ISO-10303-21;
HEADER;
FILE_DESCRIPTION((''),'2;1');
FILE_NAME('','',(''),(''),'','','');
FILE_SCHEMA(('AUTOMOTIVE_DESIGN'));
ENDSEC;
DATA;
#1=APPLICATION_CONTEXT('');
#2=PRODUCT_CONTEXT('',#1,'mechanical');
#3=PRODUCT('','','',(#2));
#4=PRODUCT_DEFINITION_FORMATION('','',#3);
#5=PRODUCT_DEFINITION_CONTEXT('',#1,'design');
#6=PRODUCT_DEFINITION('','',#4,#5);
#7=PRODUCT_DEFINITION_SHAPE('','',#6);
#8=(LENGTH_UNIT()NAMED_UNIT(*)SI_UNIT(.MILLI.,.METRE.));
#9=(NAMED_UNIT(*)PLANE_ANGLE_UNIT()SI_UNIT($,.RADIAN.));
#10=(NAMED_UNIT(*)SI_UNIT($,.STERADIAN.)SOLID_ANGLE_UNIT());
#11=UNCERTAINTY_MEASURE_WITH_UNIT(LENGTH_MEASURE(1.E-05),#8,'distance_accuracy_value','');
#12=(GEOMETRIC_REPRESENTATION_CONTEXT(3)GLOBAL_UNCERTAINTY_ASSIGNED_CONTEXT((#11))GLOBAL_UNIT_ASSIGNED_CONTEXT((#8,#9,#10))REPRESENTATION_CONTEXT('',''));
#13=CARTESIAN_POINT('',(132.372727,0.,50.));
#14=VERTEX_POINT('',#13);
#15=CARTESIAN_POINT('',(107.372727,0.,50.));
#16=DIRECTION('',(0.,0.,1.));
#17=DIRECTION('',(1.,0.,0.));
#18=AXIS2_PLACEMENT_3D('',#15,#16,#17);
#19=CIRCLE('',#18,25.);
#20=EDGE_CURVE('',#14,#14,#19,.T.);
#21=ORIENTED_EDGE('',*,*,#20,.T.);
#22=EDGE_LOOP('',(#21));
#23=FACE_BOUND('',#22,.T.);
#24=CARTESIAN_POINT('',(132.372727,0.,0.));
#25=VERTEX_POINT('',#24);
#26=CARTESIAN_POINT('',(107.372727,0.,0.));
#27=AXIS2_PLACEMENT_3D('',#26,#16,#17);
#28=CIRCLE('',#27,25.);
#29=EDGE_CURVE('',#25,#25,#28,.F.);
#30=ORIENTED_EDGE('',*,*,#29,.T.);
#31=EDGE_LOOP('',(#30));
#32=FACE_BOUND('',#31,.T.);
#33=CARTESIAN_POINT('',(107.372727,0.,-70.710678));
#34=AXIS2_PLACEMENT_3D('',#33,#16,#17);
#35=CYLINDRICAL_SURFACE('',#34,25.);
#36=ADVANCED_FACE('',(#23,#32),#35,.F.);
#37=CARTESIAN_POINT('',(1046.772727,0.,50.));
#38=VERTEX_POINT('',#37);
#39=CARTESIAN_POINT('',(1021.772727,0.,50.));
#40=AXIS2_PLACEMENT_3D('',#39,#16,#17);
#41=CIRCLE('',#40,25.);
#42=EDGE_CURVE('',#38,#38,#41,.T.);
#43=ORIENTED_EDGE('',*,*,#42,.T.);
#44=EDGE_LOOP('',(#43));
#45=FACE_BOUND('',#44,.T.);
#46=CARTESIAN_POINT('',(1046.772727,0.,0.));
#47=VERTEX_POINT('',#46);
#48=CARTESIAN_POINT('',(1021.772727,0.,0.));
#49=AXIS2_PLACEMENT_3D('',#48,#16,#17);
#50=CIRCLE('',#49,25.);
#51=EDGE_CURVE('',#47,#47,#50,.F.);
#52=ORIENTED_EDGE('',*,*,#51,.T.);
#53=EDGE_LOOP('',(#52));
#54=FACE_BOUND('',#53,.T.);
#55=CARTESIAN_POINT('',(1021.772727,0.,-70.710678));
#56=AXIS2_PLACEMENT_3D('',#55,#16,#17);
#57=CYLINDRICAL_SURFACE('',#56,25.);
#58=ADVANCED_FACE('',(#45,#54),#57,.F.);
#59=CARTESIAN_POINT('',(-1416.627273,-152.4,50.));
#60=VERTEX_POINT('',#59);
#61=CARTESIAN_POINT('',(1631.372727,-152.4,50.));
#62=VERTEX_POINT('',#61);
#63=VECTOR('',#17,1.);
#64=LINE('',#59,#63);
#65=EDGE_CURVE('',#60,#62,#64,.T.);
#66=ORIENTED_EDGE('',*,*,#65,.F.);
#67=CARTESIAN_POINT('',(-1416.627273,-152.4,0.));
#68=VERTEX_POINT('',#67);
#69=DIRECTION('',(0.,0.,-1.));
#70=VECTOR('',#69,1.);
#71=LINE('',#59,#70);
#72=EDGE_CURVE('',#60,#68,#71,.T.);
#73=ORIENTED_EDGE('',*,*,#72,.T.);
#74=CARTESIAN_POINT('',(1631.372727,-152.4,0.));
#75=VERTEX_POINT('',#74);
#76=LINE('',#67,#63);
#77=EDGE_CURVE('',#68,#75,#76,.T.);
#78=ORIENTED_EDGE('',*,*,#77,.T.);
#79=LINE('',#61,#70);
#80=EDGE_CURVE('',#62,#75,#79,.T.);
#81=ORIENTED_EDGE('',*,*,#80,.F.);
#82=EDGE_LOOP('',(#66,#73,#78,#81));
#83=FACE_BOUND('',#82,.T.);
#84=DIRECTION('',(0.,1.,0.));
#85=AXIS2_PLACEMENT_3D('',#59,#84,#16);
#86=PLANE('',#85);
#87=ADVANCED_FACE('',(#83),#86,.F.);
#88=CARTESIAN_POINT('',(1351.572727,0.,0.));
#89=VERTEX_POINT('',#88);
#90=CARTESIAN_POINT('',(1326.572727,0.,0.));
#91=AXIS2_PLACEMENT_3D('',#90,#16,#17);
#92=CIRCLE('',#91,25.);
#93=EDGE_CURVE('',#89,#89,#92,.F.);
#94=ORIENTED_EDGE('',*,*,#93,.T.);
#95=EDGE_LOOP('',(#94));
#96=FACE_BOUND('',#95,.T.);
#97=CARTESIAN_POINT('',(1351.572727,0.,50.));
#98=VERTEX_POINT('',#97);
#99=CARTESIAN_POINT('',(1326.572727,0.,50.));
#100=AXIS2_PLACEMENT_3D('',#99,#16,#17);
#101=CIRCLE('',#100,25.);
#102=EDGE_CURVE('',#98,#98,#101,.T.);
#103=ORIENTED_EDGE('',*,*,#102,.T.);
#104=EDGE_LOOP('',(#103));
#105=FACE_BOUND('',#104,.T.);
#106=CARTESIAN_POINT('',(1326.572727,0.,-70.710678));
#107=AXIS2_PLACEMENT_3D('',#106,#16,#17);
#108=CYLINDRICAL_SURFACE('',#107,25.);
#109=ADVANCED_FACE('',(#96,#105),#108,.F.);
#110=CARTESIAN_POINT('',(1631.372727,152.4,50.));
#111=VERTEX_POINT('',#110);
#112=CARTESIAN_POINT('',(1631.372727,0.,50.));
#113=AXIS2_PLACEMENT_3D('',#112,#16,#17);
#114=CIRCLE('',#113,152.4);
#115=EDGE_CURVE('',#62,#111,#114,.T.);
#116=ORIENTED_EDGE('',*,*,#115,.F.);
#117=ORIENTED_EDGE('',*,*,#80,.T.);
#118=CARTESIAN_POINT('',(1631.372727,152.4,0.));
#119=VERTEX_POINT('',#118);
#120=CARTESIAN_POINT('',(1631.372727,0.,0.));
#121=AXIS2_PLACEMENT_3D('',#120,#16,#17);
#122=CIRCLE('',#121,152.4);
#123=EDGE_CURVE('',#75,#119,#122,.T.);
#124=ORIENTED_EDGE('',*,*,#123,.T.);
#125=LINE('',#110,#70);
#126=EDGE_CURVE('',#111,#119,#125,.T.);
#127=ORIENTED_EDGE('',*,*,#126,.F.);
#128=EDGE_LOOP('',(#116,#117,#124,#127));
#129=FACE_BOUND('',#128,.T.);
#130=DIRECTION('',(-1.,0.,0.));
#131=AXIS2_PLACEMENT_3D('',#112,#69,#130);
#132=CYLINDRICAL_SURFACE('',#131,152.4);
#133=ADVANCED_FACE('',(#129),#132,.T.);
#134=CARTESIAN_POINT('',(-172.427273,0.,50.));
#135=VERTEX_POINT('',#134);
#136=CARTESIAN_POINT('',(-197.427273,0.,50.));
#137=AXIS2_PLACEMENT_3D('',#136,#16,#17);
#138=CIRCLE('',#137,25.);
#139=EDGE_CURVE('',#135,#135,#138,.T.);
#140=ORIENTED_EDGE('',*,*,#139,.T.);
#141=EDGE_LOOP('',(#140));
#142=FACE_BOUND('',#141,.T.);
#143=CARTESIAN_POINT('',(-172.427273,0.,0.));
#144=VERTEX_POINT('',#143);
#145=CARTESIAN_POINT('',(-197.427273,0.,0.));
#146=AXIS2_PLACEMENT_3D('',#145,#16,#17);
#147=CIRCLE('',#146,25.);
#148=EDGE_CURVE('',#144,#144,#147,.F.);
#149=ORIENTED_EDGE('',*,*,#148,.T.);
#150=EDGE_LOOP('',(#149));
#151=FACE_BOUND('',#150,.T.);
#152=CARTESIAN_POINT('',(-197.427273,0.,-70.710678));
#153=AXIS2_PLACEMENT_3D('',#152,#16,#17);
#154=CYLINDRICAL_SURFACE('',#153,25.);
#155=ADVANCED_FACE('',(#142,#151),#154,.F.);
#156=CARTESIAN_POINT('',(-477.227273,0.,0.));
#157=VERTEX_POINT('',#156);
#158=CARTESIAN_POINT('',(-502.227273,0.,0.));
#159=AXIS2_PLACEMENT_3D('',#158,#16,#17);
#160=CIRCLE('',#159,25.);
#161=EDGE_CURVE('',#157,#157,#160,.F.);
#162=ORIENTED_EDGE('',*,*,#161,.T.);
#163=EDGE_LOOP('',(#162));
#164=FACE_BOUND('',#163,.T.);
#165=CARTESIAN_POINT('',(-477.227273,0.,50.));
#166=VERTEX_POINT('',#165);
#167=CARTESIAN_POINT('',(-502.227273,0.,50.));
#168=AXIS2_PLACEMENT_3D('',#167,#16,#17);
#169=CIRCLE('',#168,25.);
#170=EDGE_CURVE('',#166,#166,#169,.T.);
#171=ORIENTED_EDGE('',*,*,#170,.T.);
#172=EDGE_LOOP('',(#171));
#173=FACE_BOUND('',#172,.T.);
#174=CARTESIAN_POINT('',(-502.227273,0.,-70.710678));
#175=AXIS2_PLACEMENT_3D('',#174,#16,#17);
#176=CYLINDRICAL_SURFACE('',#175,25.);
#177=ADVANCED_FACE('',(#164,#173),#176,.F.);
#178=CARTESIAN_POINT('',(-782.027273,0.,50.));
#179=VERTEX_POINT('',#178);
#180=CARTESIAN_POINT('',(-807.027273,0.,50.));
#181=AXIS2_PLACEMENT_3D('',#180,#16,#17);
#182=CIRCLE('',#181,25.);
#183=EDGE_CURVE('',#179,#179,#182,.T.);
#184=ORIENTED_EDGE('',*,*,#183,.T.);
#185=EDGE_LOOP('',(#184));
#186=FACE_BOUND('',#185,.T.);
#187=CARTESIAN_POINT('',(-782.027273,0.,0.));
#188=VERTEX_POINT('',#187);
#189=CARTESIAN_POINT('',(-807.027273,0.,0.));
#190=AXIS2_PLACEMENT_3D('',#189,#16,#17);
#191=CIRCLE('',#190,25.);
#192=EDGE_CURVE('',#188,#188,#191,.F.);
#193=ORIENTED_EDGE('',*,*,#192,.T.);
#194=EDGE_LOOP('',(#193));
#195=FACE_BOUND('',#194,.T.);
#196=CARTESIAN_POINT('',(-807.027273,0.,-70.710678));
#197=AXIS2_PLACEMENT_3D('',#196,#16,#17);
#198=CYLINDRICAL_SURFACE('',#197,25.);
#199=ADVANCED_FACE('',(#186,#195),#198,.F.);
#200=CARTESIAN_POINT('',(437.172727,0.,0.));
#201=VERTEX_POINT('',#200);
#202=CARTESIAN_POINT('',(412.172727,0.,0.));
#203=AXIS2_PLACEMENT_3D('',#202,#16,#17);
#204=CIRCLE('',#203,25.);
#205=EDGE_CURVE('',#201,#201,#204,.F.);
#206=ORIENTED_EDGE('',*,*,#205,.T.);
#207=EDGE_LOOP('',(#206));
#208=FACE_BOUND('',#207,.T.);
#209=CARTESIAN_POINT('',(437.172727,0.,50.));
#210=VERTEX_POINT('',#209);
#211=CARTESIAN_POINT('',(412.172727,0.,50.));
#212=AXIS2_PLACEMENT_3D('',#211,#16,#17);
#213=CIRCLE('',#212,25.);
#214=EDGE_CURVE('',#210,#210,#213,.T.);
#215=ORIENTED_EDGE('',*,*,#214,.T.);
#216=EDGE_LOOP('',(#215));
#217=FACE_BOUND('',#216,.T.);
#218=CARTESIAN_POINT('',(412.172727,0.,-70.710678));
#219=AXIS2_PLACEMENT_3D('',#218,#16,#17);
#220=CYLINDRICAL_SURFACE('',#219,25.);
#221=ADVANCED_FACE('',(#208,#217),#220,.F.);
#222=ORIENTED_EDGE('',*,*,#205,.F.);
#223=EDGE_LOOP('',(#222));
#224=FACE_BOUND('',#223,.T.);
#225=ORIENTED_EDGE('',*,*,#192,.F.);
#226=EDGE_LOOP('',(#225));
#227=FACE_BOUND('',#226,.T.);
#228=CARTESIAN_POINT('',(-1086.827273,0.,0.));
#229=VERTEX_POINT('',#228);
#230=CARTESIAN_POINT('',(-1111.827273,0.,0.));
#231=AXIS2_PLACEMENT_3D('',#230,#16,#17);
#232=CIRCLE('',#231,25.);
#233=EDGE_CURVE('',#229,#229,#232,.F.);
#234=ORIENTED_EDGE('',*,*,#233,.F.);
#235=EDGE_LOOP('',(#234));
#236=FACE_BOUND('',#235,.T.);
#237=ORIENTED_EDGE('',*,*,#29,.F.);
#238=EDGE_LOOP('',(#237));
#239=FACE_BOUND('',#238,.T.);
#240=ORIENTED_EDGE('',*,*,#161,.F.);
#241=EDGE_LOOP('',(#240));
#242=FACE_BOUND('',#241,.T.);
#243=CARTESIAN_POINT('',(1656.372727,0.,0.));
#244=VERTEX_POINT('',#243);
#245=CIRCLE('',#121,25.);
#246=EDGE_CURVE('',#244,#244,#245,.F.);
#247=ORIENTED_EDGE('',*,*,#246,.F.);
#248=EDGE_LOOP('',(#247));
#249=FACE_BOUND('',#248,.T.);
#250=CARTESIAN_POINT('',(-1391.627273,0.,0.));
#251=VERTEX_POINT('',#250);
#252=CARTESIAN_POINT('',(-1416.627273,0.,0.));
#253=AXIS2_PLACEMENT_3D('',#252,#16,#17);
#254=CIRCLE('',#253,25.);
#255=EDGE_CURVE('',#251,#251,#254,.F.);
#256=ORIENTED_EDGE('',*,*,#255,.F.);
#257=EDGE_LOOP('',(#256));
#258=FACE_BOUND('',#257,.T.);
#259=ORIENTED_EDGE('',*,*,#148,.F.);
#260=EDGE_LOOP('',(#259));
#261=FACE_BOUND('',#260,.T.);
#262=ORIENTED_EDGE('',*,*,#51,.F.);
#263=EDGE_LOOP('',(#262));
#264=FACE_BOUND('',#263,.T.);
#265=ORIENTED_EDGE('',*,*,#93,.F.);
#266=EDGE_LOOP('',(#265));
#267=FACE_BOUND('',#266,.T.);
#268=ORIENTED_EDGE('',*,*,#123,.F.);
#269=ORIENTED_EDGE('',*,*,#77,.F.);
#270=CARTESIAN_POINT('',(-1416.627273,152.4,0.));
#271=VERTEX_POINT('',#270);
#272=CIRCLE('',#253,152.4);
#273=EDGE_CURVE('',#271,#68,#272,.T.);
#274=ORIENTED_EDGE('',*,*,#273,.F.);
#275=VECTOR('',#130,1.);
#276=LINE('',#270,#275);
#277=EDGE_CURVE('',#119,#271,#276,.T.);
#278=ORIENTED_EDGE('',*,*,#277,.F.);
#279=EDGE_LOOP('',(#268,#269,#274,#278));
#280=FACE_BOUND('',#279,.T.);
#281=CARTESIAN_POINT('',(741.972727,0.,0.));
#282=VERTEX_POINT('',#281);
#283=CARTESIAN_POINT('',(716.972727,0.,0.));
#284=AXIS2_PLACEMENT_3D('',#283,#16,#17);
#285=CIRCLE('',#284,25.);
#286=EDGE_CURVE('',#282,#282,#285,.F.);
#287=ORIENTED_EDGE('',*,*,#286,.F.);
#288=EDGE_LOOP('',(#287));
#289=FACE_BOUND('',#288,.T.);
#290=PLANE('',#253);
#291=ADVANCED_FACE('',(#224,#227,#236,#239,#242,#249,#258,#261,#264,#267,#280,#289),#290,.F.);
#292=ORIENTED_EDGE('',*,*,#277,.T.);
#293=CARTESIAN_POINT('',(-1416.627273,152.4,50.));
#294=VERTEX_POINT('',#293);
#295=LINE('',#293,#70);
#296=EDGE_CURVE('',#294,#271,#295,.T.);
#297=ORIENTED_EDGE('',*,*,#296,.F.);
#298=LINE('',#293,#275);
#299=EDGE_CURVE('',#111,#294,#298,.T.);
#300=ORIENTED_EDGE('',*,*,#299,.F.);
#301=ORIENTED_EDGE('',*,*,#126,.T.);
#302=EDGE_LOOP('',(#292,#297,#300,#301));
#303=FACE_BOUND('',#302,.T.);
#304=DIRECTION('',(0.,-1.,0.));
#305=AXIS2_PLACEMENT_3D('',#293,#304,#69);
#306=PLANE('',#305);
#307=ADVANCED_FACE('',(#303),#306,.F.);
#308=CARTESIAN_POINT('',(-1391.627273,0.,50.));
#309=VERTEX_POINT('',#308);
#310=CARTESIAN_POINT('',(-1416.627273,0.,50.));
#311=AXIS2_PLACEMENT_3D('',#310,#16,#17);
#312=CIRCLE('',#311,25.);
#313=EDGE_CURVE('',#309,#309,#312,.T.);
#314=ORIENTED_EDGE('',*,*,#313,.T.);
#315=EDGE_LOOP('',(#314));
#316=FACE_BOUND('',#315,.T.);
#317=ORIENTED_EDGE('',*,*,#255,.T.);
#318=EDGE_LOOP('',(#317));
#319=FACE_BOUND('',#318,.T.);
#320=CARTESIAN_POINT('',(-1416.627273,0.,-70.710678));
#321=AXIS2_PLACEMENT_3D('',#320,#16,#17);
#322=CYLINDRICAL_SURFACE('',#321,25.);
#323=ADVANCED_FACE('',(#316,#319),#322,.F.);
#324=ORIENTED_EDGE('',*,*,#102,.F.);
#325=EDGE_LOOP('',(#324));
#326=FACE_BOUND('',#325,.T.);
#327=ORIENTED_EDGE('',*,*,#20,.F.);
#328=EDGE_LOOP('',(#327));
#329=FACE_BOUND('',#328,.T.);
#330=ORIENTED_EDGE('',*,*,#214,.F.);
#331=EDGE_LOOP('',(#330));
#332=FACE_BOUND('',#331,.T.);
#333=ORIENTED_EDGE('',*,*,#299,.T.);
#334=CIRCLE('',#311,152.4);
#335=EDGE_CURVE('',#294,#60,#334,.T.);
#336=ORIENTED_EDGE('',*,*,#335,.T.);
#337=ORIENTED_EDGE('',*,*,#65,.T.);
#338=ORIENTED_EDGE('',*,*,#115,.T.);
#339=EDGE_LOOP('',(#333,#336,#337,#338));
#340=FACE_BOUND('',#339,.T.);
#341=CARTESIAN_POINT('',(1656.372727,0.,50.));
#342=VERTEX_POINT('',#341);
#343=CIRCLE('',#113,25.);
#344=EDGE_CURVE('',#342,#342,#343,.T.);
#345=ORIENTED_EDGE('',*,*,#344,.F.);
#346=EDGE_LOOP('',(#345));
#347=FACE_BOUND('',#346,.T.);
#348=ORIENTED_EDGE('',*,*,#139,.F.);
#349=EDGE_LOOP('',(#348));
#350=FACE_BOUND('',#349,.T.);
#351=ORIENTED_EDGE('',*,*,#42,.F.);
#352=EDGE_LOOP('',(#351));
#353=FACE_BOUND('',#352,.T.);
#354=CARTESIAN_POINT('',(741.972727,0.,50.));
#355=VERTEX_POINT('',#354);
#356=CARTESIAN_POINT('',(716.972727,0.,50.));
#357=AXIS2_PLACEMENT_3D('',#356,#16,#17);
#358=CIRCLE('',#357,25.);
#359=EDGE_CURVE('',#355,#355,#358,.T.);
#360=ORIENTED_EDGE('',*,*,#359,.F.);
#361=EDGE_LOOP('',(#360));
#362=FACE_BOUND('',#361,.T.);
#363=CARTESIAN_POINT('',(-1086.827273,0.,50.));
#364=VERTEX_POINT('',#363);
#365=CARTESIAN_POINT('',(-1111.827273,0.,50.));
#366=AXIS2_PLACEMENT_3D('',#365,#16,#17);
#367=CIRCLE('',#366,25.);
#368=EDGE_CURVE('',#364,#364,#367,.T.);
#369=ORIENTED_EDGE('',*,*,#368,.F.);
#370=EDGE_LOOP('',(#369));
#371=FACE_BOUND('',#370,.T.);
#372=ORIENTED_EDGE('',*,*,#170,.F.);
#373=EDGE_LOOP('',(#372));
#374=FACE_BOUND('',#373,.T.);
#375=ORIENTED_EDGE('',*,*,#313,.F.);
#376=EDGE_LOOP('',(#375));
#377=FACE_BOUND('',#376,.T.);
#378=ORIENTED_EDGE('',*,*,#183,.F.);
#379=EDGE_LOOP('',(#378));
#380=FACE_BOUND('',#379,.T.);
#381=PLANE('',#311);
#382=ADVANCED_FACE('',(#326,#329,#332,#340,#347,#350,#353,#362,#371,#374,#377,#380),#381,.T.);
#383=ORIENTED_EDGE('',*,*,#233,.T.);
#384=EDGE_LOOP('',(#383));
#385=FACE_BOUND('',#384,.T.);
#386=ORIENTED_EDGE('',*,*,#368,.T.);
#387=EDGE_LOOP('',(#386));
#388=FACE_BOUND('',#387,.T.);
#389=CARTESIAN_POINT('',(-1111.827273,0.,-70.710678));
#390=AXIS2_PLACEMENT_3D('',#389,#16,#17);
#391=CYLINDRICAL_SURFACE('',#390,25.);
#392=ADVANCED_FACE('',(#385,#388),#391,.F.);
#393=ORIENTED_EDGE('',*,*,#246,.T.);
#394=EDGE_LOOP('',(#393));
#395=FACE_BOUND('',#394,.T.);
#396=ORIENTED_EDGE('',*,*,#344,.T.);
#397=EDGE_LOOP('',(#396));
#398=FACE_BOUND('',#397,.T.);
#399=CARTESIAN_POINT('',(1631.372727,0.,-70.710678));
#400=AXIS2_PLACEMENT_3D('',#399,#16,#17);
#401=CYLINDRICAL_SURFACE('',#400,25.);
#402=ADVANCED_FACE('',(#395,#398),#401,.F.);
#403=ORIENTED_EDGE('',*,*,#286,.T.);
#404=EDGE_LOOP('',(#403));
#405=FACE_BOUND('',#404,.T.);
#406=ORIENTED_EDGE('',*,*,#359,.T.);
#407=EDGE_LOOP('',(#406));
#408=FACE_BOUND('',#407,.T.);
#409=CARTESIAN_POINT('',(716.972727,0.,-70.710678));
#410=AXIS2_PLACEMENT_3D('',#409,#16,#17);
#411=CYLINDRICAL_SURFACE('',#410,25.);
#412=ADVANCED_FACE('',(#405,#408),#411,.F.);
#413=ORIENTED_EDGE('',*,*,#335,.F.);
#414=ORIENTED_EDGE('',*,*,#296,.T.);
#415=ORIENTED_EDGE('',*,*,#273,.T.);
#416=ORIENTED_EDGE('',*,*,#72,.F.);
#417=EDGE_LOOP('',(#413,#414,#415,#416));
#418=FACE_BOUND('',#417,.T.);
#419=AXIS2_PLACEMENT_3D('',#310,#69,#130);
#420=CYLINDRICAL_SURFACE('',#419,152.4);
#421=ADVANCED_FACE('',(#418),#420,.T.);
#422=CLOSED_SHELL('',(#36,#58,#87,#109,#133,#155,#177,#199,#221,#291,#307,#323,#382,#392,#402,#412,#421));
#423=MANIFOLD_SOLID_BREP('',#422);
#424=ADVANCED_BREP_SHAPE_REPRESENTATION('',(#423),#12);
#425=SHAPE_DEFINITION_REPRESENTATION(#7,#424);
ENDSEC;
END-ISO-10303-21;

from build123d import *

# Parameters (mm, degrees)
BOSS_EXTRUDE1_DEPTH = 50
SKETCH2_R           = 25
CUT_EXTRUDE1_DEPTH  = 50
LPATTERN1_COUNT     = 11
LPATTERN1_PITCH     = 304.8


with BuildPart() as part:
    # Sketch1 → Boss-Extrude1 (new body)
    with BuildSketch(Plane.XY):
        with BuildLine():
            Line((-1416.627272727, 152.4), (1631.372727273, 152.4))
            ThreePointArc((1631.372727273, 152.4), (1783.772727273, 0), (1631.372727273, -152.4))
            Line((1631.372727273, -152.4), (-1416.627272727, -152.4))
            ThreePointArc((-1416.627272727, -152.4), (-1569.027272727, 0), (-1416.627272727, 152.4))
        make_face()
    extrude(amount=BOSS_EXTRUDE1_DEPTH)

    # Sketch2 → Cut-Extrude1 (cut)
    with BuildSketch(Plane.XY.offset(50)):
        with Locations((1631.372727273, 0)):
            Circle(SKETCH2_R)
    cut_extrude1 = extrude(amount=-CUT_EXTRUDE1_DEPTH, mode=Mode.SUBTRACT)

    # LPattern1: Cut-Extrude1 ×11
    with Locations(*[(-i * LPATTERN1_PITCH, 0, 0) for i in range(1, LPATTERN1_COUNT)]):
        add(cut_extrude1, mode=Mode.SUBTRACT)


solid = part.part
